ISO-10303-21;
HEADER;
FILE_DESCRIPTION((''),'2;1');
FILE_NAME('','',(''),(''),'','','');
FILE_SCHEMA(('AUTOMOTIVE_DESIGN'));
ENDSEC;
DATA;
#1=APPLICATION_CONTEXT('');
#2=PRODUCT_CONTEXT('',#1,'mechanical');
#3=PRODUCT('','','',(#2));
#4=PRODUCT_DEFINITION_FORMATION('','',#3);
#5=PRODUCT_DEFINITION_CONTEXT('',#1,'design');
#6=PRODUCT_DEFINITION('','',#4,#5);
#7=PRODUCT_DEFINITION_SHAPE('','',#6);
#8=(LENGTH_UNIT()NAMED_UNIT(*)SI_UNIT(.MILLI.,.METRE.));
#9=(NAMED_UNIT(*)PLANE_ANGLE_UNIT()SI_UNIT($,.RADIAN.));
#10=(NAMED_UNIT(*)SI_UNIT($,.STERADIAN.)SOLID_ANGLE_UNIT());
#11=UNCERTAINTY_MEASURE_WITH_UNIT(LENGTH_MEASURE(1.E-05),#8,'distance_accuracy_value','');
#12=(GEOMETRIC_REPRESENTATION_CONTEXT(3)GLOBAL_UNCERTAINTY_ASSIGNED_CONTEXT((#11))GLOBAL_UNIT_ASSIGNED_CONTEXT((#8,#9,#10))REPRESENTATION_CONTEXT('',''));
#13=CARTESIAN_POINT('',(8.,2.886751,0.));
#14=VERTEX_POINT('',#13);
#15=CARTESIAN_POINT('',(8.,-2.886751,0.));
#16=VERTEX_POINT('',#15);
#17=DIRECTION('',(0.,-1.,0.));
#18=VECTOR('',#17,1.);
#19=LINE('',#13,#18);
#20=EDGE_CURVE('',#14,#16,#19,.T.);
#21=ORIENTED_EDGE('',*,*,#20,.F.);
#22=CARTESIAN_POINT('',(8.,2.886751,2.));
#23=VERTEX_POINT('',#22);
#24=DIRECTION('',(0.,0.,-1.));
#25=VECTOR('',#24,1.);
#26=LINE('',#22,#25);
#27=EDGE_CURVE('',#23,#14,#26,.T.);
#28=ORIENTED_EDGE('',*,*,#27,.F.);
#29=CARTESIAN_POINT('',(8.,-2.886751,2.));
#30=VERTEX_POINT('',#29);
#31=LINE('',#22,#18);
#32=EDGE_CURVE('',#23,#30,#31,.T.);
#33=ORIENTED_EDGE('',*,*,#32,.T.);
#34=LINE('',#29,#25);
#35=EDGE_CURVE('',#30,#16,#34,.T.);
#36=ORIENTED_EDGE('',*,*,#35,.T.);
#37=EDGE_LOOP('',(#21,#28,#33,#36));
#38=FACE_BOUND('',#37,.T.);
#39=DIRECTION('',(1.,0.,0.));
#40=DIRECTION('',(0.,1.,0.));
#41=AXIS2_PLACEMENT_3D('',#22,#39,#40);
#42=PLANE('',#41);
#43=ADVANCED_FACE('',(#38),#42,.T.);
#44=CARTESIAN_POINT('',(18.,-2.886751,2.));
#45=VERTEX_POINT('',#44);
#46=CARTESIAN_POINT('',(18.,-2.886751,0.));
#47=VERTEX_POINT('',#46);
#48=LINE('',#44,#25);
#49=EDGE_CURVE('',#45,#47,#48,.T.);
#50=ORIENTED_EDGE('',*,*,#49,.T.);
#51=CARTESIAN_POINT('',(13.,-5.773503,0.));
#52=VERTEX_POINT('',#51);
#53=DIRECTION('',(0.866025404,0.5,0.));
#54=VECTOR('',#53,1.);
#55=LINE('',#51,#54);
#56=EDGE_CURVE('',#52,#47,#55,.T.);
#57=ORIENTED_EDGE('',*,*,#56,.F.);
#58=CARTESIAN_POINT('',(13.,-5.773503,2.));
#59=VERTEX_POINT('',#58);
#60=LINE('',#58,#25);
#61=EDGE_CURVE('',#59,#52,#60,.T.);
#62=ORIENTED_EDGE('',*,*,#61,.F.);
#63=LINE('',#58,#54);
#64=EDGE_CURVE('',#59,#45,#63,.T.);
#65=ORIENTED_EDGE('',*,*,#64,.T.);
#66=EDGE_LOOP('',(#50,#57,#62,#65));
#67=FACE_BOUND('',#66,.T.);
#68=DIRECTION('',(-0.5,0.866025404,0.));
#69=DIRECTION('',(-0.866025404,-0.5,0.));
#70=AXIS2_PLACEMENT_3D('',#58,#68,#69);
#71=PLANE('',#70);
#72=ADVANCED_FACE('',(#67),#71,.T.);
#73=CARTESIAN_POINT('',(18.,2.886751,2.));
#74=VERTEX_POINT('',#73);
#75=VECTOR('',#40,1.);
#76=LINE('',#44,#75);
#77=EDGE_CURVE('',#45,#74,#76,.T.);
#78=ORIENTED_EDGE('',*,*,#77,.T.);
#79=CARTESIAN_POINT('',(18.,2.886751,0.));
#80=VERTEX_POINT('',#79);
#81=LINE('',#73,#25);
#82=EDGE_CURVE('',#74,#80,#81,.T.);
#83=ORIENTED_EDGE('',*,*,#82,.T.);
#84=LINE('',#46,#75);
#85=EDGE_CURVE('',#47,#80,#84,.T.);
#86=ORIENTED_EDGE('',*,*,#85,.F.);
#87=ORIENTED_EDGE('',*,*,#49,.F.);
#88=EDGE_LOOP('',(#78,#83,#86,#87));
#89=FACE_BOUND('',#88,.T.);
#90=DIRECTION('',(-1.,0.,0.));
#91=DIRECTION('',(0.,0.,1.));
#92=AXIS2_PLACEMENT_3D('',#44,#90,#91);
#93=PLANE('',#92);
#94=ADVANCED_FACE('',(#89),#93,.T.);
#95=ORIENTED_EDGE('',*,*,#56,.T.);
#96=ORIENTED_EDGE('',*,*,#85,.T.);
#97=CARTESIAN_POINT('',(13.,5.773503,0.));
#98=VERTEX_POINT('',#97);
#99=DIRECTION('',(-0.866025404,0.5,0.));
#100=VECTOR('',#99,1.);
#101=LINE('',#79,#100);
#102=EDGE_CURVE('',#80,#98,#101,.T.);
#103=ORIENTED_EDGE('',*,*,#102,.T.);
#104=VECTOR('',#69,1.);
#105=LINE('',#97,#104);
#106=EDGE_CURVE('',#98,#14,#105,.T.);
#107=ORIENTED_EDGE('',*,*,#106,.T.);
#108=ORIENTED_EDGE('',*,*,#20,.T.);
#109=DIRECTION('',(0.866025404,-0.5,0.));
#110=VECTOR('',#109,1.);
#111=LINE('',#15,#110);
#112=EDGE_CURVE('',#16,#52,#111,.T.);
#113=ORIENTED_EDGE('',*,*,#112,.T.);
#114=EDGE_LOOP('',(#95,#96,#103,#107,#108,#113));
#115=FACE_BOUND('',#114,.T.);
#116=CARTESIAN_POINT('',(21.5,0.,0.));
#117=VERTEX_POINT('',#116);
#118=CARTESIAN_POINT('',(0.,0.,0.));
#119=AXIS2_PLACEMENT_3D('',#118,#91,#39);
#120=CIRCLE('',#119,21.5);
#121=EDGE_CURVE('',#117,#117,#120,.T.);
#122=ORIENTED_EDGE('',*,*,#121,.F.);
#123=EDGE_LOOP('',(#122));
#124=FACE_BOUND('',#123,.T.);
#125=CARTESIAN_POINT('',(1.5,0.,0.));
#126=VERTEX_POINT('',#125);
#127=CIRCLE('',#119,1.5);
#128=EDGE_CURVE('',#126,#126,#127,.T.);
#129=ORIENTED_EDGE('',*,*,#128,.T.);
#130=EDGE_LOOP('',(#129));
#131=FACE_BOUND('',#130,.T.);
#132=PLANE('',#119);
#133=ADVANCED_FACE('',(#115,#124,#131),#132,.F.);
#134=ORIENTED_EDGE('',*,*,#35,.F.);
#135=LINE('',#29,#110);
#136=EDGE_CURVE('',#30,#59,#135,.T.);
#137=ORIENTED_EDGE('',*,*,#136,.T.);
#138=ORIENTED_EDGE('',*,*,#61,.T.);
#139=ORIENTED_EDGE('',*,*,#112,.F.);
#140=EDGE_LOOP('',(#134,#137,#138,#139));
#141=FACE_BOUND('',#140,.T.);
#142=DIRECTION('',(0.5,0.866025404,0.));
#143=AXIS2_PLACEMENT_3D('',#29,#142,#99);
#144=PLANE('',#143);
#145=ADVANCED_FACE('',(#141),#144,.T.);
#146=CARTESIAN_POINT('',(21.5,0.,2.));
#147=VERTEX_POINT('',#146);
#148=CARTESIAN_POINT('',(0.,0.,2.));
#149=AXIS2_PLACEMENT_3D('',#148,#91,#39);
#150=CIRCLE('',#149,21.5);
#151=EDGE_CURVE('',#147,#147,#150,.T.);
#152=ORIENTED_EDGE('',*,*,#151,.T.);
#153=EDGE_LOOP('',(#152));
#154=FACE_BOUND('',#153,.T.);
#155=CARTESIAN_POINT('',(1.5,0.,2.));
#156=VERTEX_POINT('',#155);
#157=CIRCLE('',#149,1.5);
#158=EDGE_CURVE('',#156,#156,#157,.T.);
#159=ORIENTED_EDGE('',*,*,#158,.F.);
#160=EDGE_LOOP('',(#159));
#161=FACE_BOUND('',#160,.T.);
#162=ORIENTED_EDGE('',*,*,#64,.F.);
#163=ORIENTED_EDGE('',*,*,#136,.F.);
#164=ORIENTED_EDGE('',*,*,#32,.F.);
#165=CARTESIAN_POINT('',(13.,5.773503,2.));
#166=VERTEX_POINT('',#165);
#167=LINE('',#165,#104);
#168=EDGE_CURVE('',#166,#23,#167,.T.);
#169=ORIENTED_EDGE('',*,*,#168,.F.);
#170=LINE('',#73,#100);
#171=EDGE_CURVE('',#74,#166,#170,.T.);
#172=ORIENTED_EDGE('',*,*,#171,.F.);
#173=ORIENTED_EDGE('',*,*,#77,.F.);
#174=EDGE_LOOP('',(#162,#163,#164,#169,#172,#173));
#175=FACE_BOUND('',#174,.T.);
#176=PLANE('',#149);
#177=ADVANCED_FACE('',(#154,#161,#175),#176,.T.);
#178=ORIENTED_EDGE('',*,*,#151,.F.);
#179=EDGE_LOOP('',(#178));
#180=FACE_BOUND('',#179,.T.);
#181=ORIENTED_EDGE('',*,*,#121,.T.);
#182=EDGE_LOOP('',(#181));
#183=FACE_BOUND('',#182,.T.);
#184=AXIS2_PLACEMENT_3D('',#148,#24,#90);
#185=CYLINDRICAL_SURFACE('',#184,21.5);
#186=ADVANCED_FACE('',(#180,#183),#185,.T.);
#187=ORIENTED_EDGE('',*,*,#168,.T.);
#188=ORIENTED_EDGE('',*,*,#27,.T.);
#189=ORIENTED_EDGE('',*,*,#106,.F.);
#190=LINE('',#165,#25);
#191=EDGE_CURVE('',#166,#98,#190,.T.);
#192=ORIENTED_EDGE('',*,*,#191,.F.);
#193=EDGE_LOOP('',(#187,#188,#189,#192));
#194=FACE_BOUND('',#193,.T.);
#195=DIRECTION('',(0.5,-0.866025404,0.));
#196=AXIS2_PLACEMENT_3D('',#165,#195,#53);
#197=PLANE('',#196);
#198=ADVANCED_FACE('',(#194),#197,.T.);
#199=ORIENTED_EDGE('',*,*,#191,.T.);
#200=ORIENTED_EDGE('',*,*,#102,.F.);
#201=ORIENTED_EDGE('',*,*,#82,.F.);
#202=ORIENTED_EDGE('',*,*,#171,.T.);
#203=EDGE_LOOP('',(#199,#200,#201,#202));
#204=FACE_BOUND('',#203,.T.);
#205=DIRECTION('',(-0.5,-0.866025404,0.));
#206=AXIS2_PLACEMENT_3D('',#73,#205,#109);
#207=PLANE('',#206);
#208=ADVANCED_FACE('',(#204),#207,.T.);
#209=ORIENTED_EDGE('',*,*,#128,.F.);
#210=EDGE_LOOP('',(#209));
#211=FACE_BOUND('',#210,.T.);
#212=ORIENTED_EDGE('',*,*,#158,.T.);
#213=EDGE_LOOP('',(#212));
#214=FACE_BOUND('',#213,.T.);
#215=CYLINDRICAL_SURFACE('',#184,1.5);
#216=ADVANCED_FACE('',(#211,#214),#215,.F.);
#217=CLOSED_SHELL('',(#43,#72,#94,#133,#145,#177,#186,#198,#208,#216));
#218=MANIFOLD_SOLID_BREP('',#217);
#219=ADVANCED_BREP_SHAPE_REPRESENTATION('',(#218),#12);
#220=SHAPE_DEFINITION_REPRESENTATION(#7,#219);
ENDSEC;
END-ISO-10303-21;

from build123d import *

# Parameters (mm, degrees)
SKETCH1_R           = 21.5
SKETCH1_R_2         = 1.5
BOSS_EXTRUDE1_DEPTH = 2


with BuildPart() as part:
    # Sketch1 → Boss-Extrude1 (new body)
    with BuildSketch(Plane.XY):
        Circle(SKETCH1_R)
        Circle(SKETCH1_R_2, mode=Mode.SUBTRACT)
        Polygon((18, 2.886751346), (13, 5.773502692), (8, 2.886751346), (8, -2.886751346), (13, -5.773502692), (18, -2.886751346), align=None, mode=Mode.SUBTRACT)
    extrude(amount=BOSS_EXTRUDE1_DEPTH)


solid = part.part
